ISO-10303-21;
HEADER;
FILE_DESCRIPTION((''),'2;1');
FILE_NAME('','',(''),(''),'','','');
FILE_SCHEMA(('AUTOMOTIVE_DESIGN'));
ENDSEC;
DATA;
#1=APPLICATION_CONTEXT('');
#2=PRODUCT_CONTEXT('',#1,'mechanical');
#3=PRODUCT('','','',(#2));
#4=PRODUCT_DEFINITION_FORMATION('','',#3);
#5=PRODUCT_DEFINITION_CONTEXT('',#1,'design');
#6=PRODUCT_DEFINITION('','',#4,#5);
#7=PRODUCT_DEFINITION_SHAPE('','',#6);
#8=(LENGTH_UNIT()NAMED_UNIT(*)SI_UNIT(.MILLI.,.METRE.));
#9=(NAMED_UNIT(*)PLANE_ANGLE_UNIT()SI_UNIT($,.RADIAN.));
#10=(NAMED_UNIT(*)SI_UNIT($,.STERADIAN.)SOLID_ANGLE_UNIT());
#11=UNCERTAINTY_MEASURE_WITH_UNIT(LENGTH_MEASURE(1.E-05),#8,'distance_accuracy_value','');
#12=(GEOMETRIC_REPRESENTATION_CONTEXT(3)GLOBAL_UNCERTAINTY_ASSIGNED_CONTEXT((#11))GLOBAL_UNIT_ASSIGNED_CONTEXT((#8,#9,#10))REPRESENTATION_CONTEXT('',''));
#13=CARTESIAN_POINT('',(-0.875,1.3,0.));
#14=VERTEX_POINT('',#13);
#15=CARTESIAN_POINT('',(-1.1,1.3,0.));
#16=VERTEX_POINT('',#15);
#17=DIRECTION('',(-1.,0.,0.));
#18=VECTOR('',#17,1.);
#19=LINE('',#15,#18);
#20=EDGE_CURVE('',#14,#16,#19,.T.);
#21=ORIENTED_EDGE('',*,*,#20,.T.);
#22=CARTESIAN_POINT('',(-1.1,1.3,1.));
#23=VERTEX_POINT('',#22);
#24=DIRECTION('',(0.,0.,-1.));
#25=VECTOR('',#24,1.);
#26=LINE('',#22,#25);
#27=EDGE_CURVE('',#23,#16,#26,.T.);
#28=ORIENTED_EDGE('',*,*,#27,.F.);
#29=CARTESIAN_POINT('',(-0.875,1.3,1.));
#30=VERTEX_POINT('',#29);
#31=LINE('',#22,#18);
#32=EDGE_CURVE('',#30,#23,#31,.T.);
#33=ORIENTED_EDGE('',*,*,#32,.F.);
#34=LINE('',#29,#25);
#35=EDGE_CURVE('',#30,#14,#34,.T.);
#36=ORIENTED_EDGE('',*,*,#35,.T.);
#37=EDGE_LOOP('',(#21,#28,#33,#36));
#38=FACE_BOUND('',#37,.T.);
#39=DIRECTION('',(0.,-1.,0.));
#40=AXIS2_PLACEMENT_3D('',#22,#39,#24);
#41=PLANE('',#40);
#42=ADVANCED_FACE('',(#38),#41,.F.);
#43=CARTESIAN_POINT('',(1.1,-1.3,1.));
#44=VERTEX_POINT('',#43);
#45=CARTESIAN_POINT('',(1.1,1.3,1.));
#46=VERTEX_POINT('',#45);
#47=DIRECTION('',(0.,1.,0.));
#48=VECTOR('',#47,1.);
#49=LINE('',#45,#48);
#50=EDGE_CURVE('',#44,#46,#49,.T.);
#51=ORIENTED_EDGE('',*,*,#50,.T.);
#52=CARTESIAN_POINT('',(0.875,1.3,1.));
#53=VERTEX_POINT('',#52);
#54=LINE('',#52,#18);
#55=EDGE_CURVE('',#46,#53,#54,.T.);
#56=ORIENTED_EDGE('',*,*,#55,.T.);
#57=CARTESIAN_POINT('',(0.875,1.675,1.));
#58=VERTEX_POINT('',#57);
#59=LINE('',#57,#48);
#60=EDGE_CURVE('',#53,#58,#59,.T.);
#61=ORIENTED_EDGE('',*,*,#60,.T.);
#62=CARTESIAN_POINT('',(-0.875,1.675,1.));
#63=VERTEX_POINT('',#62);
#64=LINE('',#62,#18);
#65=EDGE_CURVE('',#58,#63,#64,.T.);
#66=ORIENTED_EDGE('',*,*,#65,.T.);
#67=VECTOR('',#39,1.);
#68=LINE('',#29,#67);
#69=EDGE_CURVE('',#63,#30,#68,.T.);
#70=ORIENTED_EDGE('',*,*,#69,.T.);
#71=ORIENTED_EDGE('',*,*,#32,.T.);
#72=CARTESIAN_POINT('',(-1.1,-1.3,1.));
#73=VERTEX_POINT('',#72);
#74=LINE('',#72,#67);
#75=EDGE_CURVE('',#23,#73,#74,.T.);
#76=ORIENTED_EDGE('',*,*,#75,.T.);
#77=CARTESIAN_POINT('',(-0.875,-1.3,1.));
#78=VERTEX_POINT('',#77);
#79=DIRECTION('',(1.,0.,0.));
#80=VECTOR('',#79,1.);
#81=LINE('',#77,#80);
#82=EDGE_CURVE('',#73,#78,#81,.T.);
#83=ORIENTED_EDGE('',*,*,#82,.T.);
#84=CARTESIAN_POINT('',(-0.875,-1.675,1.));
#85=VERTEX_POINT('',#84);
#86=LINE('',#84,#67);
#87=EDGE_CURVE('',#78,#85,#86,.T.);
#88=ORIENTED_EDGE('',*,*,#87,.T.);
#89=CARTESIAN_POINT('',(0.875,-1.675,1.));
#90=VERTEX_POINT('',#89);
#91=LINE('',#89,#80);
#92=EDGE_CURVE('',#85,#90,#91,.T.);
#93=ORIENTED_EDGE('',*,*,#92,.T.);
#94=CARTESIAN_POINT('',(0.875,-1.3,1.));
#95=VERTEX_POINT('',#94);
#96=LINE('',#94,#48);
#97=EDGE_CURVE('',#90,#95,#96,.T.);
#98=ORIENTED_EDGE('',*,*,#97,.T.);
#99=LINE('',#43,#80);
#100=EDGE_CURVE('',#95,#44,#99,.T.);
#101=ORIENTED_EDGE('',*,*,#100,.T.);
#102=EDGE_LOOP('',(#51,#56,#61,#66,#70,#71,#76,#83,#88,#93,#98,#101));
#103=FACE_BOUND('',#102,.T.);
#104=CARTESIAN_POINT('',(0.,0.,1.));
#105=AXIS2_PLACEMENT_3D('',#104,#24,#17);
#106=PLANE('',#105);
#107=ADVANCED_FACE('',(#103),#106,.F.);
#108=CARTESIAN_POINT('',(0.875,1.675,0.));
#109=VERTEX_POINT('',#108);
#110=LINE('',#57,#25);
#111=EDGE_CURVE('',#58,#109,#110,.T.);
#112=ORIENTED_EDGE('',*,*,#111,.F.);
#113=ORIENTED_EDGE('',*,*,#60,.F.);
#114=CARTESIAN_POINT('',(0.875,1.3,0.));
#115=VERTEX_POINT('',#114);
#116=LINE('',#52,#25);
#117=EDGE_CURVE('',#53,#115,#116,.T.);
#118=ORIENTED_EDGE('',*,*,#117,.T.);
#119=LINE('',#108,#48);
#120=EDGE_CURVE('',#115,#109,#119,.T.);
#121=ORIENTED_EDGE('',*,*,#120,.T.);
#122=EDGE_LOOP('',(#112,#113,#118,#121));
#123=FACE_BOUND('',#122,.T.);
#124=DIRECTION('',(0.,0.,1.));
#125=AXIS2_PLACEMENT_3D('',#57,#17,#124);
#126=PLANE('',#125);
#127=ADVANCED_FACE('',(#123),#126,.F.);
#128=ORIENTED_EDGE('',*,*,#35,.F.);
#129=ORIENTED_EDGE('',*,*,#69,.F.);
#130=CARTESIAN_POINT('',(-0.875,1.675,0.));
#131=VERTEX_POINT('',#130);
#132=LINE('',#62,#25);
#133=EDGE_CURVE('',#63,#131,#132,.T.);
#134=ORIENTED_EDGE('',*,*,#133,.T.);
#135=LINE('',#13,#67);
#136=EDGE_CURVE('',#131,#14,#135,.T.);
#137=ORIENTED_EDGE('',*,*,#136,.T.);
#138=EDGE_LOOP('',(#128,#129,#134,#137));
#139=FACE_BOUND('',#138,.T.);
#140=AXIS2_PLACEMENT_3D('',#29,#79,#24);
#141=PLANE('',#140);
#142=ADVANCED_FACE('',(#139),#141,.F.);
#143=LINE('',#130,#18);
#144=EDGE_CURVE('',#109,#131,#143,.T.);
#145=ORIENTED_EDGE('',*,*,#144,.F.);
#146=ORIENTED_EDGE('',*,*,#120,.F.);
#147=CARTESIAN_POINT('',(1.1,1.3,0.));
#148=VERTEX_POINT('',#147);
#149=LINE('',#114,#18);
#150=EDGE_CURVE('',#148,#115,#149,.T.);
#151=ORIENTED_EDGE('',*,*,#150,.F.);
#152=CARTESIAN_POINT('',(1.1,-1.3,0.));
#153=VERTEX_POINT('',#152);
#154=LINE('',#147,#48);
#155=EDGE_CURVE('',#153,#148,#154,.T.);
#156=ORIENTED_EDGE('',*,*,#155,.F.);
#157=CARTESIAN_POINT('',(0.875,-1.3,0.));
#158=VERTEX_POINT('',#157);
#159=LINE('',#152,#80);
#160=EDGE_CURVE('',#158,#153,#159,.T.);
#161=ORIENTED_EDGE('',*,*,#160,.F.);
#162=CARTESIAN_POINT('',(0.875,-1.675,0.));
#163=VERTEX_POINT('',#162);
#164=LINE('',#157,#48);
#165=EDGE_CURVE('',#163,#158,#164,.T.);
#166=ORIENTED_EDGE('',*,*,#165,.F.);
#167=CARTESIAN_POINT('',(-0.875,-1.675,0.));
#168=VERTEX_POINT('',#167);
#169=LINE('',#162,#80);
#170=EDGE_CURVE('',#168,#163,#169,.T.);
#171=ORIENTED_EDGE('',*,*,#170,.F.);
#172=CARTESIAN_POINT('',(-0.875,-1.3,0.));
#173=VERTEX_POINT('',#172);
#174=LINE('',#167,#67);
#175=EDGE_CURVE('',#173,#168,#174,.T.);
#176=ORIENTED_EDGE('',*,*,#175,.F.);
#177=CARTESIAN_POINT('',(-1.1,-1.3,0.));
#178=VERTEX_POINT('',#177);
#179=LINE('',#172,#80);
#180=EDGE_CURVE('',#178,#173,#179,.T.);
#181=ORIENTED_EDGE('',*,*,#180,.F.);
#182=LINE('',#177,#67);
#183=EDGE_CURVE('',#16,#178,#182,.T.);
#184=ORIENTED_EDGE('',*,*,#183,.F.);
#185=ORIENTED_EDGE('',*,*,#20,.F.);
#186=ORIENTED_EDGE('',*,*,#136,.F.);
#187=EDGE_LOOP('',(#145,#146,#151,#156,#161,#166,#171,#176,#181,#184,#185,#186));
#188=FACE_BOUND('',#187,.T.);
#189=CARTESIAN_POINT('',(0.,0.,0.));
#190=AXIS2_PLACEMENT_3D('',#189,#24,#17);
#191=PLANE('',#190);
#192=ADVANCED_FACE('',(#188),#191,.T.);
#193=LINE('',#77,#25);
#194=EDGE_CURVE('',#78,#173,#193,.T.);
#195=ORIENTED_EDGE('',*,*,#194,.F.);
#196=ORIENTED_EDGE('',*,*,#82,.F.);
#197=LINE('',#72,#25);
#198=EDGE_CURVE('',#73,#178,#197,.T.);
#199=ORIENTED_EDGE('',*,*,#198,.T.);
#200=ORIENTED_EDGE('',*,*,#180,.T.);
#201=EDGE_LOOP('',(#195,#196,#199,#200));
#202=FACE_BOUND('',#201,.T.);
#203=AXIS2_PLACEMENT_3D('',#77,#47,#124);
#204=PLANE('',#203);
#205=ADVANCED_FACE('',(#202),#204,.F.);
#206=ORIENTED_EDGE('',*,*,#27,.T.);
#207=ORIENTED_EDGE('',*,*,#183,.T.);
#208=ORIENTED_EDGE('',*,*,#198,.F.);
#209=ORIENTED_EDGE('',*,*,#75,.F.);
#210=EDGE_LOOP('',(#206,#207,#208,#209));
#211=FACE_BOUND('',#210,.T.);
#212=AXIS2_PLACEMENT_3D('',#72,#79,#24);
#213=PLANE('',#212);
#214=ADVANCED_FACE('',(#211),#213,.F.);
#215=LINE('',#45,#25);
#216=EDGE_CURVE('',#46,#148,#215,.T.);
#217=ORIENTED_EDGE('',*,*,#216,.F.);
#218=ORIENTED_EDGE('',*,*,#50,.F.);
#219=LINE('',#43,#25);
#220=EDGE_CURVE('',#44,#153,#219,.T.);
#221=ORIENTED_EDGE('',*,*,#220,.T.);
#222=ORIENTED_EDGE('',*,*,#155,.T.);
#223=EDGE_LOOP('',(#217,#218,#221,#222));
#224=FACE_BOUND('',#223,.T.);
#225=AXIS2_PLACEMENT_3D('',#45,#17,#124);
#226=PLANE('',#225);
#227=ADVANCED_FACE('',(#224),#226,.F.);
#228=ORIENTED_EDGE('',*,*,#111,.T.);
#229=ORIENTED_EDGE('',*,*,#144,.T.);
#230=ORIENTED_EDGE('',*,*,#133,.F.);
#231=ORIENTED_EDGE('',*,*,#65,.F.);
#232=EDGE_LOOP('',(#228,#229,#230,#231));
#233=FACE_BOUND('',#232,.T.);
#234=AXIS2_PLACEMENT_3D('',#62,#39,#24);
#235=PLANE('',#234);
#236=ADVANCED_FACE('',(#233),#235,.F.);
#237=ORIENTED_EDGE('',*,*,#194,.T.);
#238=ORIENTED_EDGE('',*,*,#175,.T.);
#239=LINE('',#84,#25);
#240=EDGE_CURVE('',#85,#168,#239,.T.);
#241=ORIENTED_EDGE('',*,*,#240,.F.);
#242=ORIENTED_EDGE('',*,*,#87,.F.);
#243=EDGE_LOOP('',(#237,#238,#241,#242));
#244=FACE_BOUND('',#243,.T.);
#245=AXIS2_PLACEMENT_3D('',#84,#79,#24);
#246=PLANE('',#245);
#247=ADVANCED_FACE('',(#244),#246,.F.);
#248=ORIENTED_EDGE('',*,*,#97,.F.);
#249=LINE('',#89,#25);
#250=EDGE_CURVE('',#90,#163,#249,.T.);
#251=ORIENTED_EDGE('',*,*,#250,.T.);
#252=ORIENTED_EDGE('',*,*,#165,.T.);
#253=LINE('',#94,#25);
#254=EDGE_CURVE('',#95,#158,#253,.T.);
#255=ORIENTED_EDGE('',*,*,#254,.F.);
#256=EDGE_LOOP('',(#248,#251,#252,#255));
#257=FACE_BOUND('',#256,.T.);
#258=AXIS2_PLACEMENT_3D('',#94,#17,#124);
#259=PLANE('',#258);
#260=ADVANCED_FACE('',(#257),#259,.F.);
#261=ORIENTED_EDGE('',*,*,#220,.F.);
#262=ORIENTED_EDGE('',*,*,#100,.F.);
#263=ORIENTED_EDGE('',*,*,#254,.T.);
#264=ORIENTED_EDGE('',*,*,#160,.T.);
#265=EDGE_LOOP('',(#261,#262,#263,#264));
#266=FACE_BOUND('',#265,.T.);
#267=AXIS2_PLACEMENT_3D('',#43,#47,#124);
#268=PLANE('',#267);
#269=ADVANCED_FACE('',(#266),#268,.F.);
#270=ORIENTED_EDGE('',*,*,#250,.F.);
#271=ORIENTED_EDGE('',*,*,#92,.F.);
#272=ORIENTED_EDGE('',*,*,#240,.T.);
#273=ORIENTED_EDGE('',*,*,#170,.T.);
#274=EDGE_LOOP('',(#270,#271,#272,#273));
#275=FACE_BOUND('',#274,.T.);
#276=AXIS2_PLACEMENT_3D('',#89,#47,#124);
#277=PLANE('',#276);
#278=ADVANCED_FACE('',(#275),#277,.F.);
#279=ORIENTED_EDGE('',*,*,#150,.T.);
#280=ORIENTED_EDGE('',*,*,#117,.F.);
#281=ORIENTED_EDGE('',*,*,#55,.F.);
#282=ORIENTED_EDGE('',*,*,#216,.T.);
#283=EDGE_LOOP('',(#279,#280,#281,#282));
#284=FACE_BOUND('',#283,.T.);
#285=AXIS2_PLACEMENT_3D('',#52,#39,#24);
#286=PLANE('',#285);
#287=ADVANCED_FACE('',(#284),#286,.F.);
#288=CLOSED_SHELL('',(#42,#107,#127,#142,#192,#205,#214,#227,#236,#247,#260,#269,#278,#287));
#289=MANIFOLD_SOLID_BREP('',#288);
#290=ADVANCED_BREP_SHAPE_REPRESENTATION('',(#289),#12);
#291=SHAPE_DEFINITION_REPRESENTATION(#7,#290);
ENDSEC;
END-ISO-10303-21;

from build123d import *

# Parameters (mm, degrees)
COMPONENT_OUTLINE_DEPTH = 1


with BuildPart() as part:
    # 草图1 → Component_Outline (new body)
    with BuildSketch(Plane.XY):
        Polygon((-1.1, 1.3), (-0.875, 1.3), (-0.875, 1.675), (0.875, 1.675), (0.875, 1.3), (1.1, 1.3), (1.1, -1.3), (0.875, -1.3), (0.875, -1.675), (-0.875, -1.675), (-0.875, -1.3), (-1.1, -1.3), align=None)
    extrude(amount=COMPONENT_OUTLINE_DEPTH)


solid = part.part
